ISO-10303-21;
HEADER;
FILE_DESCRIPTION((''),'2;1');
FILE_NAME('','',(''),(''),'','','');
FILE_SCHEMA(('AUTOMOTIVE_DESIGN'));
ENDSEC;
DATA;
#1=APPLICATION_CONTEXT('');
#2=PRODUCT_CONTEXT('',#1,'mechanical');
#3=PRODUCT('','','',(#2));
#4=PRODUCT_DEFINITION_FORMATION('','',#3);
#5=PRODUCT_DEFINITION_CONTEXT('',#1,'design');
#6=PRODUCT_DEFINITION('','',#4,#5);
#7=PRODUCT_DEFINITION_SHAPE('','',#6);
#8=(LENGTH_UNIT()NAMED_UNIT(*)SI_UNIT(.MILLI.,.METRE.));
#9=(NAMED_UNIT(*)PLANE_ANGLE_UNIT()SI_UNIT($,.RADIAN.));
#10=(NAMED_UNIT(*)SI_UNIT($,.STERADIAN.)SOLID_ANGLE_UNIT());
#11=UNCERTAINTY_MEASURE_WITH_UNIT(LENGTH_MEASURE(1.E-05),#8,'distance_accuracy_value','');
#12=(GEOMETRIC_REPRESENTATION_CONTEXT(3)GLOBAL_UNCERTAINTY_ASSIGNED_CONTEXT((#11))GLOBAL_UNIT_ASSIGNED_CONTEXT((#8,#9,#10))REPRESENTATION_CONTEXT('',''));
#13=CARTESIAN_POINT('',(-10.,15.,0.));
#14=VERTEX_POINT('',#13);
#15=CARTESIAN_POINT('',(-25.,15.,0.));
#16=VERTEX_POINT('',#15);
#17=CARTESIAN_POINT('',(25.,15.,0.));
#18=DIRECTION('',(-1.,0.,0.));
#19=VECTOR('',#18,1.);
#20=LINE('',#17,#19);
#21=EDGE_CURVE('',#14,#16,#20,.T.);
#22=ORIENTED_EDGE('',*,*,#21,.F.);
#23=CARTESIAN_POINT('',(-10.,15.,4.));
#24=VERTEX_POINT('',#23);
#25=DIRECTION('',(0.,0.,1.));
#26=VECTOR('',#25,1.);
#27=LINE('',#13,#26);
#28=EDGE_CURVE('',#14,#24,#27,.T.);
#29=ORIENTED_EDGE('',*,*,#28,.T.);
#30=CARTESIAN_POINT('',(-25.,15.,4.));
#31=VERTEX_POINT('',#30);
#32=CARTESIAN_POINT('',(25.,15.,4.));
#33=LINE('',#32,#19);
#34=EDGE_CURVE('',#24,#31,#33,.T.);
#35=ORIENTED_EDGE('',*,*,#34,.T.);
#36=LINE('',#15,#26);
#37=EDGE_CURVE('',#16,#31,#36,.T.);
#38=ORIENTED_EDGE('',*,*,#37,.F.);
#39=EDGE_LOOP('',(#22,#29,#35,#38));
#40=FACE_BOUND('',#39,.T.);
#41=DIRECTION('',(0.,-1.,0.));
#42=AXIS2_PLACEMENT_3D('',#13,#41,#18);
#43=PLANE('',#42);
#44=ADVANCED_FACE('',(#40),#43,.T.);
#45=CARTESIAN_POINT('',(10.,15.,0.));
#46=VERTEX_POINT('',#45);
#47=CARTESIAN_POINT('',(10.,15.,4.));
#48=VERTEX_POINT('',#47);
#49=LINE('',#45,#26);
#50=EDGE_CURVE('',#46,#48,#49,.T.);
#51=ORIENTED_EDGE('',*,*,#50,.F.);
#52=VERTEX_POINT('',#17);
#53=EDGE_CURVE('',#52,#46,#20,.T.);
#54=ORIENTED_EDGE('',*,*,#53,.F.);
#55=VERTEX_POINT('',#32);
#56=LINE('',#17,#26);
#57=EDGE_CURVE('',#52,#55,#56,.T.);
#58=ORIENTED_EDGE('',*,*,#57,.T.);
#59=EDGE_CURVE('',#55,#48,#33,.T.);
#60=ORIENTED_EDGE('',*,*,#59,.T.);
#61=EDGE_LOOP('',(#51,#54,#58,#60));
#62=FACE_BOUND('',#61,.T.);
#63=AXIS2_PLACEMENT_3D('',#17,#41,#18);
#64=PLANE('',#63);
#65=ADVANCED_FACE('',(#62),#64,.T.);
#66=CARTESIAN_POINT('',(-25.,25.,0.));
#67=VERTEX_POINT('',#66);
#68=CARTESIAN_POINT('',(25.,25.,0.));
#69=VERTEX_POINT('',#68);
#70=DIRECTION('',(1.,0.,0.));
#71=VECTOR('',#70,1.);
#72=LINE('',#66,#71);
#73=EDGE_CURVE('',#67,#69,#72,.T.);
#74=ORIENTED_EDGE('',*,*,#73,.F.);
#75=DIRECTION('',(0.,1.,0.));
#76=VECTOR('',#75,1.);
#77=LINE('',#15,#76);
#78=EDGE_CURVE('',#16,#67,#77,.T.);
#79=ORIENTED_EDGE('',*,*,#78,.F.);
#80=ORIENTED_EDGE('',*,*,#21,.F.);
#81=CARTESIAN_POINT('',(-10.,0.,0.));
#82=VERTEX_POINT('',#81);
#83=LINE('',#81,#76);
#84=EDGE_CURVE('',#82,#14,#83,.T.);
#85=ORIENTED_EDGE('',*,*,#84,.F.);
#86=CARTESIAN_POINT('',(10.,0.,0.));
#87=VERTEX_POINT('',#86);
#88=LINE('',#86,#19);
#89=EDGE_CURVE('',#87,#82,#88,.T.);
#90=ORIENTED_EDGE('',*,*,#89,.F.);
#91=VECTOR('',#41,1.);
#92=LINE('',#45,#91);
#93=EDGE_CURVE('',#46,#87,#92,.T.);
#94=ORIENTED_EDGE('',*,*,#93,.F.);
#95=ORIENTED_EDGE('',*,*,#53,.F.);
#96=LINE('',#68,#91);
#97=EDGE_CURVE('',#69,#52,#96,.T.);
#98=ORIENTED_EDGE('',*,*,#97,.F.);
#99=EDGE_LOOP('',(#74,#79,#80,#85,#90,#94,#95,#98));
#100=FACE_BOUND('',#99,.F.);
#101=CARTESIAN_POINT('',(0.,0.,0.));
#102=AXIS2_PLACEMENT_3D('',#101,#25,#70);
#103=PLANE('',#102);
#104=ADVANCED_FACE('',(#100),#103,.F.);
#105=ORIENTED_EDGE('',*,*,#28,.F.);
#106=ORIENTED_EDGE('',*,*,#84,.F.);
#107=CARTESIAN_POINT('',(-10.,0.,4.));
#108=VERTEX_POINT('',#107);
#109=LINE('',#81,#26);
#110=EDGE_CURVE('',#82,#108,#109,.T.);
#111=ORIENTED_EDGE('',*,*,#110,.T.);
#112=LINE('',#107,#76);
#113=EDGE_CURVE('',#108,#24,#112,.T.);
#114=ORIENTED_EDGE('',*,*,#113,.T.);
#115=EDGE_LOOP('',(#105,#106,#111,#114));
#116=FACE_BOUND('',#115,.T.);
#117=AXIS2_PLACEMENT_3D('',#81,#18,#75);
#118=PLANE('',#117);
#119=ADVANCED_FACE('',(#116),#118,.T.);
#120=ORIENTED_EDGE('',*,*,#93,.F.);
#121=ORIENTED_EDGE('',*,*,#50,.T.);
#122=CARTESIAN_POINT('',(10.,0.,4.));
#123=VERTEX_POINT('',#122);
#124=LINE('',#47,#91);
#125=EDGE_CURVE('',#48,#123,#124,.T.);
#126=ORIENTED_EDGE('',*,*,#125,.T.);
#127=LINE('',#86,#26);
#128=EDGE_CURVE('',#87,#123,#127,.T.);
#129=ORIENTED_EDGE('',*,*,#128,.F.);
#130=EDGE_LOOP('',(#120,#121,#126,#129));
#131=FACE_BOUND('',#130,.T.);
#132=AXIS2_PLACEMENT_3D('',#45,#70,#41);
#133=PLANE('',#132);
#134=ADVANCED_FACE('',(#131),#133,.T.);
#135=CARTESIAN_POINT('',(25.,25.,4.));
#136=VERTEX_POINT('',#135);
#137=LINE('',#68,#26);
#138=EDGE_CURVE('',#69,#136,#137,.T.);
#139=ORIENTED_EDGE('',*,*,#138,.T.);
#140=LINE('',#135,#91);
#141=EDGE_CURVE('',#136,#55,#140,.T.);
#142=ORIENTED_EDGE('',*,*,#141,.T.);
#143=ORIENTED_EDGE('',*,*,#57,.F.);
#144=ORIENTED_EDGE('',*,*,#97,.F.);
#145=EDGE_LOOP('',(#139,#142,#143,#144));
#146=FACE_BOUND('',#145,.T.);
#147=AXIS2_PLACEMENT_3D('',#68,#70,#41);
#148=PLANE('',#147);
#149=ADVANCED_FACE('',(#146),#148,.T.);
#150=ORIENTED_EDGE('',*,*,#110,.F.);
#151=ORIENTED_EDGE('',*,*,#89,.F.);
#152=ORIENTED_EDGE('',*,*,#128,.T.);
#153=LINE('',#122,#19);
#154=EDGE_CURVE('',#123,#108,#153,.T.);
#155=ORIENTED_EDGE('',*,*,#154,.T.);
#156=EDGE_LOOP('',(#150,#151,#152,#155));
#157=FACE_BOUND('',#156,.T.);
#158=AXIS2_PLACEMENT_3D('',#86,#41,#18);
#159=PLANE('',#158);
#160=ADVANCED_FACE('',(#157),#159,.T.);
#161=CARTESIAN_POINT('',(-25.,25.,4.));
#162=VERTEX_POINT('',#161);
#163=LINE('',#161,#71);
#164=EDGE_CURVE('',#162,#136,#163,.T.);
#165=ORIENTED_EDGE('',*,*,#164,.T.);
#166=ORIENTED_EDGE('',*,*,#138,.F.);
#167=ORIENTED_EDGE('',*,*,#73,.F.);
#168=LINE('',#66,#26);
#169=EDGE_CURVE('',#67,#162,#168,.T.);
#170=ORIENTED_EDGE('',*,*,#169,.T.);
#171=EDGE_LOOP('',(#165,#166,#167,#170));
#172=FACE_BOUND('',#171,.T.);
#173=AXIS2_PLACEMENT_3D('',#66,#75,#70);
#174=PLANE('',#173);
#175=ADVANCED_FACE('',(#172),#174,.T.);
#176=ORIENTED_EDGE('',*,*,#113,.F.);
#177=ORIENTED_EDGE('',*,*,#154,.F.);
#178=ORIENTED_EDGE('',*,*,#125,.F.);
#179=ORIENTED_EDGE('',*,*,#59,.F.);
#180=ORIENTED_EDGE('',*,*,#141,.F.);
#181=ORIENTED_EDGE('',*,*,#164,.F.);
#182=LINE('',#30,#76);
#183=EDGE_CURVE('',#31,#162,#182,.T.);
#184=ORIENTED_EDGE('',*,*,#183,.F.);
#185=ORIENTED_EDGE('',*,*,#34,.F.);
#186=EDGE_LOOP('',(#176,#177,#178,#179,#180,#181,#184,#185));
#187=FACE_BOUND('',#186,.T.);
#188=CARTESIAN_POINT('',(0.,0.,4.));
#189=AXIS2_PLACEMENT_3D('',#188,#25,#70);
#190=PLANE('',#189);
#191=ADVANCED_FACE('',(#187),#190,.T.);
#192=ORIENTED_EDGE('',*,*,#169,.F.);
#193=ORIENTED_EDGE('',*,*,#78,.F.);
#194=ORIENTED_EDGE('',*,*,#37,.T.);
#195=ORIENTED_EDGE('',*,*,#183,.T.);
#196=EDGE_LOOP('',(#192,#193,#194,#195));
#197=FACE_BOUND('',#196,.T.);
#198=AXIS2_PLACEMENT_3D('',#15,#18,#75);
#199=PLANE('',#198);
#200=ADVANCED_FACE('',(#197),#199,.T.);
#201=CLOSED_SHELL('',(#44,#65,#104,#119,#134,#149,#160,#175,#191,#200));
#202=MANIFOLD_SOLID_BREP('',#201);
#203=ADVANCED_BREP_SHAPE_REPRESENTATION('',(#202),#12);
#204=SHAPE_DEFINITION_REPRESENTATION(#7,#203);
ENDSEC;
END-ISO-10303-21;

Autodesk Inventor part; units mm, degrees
ref_plane "YZ Plane" through (0, 0, 0) normal (1, 0, 0) x (0, 1, 0)
ref_plane "XZ Plane" through (0, 0, 0) normal (0, 1, 0) x (-1, 0, 0)
ref_plane "XY Plane" through (0, 0, 0) normal (0, 0, 1) x (1, 0, 0)
sketch "Sketch1" plane through (0, 0, 0) normal (0, 0, 1) x (1, 0, 0)
  line L0 (10, 0) -> (-10, 0)
  line L1 (-10, 0) -> (-10, 15)
  line L2 (-10, 15) -> (10, 15)
  line L3 (10, 15) -> (10, 0)
  line L4 (25, 15) -> (-25, 15)
  line L5 (-25, 15) -> (-25, 25)
  line L6 (-25, 25) -> (25, 25)
  line L7 (25, 25) -> (25, 15)
  point P0 (0, 0)
  point P1 (0, 0)
  point P2 (0, 15)
  point P3 (0, 15)
  point P4 (10, 15)
  dimension "d0" = 20
  dimension "d1" = 15
  dimension "d2" = 10
  dimension "d3" = 50
extrude "Extrusion1" add sketch "Sketch1" along normal blind 4
properties part number "Seguro"
